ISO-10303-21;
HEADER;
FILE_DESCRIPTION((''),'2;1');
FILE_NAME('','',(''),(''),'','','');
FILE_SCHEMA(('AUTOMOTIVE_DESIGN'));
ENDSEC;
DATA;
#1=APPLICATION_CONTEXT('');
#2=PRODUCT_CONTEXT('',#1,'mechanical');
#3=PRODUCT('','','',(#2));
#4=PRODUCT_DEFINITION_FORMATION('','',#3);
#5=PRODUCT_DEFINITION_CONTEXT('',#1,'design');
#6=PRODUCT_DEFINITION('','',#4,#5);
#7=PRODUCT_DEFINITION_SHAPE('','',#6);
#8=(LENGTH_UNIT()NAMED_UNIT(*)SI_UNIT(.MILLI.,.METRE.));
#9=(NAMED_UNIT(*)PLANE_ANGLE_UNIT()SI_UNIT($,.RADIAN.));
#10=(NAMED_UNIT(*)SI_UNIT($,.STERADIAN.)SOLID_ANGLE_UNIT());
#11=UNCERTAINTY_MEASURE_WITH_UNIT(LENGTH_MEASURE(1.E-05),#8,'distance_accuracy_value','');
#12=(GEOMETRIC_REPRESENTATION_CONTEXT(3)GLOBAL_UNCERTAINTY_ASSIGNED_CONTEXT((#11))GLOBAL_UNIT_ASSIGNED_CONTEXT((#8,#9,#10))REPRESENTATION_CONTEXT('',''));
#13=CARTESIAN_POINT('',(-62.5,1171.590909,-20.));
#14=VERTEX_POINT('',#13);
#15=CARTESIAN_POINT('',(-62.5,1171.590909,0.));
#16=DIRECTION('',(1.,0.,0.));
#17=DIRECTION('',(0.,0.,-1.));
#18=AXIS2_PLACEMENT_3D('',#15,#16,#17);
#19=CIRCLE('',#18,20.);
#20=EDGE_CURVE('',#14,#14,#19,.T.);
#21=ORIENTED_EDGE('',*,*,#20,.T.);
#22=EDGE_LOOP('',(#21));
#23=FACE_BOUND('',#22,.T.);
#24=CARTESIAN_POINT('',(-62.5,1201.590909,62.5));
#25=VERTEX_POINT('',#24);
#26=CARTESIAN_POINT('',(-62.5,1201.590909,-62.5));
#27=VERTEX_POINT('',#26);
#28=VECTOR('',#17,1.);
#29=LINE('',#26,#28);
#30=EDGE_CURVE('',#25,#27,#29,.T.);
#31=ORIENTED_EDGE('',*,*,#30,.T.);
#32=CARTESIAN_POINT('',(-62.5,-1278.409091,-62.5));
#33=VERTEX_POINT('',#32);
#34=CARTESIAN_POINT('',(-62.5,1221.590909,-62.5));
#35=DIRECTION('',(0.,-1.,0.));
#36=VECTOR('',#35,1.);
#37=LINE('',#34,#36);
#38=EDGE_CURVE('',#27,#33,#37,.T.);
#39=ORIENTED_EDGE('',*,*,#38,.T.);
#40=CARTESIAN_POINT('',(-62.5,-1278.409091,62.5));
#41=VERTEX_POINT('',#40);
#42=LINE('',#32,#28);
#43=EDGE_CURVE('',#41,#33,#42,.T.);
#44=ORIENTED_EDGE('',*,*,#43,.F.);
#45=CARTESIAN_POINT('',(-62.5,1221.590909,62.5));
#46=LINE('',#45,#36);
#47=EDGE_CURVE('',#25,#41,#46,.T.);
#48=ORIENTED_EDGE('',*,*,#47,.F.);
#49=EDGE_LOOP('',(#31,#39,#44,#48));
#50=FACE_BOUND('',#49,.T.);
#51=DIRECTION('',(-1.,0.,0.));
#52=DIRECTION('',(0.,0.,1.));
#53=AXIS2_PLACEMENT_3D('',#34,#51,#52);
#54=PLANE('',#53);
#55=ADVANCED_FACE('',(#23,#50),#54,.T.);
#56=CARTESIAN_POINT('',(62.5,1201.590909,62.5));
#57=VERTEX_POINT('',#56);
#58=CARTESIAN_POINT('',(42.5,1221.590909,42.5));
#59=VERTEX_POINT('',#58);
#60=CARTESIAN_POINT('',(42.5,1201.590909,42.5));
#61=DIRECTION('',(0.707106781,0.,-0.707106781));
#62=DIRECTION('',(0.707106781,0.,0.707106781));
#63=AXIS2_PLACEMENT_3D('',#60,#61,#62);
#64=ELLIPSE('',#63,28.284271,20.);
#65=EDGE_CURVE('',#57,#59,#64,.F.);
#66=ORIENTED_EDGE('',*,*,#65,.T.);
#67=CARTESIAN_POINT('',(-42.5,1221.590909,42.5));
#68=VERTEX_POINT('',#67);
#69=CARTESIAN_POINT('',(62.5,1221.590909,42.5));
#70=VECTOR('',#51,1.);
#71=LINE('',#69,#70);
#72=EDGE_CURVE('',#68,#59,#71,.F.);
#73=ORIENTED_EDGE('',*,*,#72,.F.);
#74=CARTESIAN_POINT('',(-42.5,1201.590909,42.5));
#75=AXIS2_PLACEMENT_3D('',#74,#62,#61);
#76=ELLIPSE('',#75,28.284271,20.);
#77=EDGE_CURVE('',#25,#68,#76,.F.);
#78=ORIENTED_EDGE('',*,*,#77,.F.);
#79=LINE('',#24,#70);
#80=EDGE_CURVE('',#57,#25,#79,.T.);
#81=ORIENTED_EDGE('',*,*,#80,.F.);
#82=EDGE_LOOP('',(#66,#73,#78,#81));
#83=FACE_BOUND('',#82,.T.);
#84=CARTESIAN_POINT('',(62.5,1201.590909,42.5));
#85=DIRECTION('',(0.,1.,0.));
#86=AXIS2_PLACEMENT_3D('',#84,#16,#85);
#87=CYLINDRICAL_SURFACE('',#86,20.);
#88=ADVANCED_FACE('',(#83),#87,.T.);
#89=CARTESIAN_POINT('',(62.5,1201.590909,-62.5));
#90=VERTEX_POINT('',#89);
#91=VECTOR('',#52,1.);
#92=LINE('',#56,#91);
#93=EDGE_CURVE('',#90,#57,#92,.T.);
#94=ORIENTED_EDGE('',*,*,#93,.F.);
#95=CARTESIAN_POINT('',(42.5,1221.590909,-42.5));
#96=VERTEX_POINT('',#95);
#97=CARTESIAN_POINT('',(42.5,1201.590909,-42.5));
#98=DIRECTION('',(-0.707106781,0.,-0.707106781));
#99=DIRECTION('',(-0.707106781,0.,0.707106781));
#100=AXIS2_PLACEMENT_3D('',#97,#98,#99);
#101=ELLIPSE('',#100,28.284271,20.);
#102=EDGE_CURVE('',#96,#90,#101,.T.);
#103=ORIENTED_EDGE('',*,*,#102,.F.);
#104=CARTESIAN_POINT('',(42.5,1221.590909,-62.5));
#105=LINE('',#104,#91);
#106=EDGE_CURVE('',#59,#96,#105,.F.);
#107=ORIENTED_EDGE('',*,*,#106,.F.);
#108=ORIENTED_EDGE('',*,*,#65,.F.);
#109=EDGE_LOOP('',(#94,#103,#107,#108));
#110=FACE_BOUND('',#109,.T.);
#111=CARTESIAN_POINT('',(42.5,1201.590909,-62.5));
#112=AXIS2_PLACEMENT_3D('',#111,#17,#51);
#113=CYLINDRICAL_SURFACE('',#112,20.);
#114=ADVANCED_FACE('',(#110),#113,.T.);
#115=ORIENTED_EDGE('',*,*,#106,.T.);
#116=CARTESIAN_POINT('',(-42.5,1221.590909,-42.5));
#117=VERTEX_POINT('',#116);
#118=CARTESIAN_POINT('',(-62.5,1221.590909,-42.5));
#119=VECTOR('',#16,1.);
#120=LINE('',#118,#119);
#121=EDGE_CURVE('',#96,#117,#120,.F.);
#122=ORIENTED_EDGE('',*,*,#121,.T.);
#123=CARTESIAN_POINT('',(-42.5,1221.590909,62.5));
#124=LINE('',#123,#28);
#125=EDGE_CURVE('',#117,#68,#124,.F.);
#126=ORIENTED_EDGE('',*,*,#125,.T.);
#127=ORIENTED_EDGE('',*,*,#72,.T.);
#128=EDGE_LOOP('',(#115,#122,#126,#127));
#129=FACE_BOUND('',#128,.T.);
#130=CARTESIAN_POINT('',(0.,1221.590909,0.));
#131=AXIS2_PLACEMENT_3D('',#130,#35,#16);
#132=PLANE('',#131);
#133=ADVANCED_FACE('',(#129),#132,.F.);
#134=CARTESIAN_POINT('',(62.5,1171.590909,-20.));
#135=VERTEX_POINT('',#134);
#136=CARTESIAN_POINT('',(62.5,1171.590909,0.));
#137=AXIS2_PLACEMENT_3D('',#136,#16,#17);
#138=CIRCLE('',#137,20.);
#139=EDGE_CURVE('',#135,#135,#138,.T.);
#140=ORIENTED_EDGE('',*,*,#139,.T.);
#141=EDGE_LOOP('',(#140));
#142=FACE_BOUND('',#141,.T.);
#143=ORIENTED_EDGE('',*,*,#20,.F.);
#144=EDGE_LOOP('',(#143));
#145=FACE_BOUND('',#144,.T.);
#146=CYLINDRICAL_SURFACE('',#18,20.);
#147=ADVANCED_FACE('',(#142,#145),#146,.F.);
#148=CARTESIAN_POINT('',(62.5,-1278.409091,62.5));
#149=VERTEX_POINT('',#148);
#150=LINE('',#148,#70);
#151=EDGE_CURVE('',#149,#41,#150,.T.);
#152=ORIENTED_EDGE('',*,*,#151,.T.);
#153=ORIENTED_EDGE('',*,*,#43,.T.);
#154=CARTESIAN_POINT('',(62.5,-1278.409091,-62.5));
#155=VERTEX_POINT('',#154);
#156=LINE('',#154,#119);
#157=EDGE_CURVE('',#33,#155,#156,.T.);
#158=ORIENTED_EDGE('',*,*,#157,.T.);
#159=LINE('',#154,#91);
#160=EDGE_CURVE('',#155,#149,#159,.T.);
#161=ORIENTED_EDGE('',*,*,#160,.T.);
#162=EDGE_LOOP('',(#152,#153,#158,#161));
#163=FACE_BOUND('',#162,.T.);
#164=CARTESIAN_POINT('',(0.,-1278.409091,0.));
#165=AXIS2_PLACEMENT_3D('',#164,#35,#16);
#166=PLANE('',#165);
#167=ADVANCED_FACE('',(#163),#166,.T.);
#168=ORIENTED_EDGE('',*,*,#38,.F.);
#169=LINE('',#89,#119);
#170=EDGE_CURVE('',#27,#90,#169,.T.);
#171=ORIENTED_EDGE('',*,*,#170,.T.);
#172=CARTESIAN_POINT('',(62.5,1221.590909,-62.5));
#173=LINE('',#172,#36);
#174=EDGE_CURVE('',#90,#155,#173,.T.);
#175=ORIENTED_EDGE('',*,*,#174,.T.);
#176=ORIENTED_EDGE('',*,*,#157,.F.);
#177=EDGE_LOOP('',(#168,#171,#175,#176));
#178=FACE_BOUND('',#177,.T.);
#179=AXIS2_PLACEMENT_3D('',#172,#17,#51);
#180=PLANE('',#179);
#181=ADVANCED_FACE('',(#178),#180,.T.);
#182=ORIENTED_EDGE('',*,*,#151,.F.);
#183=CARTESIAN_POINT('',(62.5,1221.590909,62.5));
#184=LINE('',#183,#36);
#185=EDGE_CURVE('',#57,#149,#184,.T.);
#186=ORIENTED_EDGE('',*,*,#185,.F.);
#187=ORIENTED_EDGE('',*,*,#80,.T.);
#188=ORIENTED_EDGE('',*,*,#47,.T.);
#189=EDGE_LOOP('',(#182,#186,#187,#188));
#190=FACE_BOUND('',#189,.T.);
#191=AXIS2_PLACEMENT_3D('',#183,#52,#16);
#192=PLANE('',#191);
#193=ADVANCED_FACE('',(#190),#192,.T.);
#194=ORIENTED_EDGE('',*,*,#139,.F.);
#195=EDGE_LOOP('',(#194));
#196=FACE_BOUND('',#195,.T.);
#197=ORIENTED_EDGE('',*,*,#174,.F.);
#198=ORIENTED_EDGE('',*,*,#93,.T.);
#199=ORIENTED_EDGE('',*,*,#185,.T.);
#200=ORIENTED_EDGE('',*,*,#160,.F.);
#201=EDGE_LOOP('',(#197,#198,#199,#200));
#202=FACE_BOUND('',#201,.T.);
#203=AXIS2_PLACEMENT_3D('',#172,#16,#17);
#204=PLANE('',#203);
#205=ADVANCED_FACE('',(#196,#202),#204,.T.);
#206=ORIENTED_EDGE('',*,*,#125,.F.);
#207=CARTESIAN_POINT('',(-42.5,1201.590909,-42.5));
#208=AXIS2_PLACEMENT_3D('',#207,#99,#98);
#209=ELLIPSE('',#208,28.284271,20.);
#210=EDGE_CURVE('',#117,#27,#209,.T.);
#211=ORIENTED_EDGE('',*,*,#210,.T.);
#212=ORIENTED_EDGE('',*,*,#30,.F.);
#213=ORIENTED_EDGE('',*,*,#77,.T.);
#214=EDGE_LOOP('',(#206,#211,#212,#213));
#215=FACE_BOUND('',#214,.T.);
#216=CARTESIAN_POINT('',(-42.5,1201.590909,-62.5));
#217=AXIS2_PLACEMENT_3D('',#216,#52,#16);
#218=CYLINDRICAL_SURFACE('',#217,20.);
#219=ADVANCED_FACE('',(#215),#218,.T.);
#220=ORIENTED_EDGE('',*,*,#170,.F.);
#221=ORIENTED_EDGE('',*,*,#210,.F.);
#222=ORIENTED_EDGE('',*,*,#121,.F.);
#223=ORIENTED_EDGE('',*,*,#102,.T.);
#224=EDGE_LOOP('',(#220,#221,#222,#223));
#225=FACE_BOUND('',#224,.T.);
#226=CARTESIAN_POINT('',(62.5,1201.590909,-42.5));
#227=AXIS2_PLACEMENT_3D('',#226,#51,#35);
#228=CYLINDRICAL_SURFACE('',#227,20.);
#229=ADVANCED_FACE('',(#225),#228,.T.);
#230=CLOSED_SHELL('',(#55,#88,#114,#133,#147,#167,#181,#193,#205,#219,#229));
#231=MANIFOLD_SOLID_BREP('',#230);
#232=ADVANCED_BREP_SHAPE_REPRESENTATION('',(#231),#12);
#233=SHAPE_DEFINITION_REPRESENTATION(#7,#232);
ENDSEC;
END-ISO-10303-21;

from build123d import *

# Parameters (mm, degrees)
CUT_EXTRUDE1_DEPTH      = 258.20505856
CUT_EXTRUDE1_DEPTH_BACK = 258.20505856
SKETCH2_R               = 4
FILLET1_R               = 4
SCALE1_SCALE            = 5


with BuildPart() as part:
    # Sweep1: sweep along a path in Sketch1
    with BuildLine(Plane.XY) as sweep1_path:
        Line((0, 244.318181818), (0, -255.681818182))
    # 3DSketch1 → Sweep1 (sweep)
    with BuildSketch(Plane(origin=(12.5, -255.681818182, -12.5), x_dir=(-0.7071067811865476, 0, 0.7071067811865476), z_dir=(0, 1, 0))):
        Polygon((0, 0), (17.67766953, 17.67766953), (35.355339059, 0), (17.67766953, -17.67766953), align=None)
    sweep(path=sweep1_path.line)

    # Sketch2 → Cut-Extrude1 (cut, two sides: drawn at the far end of the back side and taken through both)
    with BuildSketch(Plane(origin=(12.5, 0, 0), x_dir=(0, 0, -1), z_dir=(1, 0, 0)).offset(-CUT_EXTRUDE1_DEPTH_BACK)):
        with Locations((0, 234.318181818)):
            Circle(SKETCH2_R)
    extrude(amount=CUT_EXTRUDE1_DEPTH + CUT_EXTRUDE1_DEPTH_BACK, mode=Mode.SUBTRACT)

    # Fillet1
    fillet1_edges = [part.edges().sort_by_distance(p)[0] for p in [
        (-12.5, 244.318181818, 0),
        (0, 244.318181818, -12.5),
        (12.5, 244.318181818, 0),
        (0, 244.318181818, 12.5),
    ]]
    fillet(fillet1_edges, radius=FILLET1_R)


with BuildPart() as part_1:
    # Scale1: scaled about (0, 0, 0)
    add(part.part.scale(SCALE1_SCALE))


solid = part_1.part
